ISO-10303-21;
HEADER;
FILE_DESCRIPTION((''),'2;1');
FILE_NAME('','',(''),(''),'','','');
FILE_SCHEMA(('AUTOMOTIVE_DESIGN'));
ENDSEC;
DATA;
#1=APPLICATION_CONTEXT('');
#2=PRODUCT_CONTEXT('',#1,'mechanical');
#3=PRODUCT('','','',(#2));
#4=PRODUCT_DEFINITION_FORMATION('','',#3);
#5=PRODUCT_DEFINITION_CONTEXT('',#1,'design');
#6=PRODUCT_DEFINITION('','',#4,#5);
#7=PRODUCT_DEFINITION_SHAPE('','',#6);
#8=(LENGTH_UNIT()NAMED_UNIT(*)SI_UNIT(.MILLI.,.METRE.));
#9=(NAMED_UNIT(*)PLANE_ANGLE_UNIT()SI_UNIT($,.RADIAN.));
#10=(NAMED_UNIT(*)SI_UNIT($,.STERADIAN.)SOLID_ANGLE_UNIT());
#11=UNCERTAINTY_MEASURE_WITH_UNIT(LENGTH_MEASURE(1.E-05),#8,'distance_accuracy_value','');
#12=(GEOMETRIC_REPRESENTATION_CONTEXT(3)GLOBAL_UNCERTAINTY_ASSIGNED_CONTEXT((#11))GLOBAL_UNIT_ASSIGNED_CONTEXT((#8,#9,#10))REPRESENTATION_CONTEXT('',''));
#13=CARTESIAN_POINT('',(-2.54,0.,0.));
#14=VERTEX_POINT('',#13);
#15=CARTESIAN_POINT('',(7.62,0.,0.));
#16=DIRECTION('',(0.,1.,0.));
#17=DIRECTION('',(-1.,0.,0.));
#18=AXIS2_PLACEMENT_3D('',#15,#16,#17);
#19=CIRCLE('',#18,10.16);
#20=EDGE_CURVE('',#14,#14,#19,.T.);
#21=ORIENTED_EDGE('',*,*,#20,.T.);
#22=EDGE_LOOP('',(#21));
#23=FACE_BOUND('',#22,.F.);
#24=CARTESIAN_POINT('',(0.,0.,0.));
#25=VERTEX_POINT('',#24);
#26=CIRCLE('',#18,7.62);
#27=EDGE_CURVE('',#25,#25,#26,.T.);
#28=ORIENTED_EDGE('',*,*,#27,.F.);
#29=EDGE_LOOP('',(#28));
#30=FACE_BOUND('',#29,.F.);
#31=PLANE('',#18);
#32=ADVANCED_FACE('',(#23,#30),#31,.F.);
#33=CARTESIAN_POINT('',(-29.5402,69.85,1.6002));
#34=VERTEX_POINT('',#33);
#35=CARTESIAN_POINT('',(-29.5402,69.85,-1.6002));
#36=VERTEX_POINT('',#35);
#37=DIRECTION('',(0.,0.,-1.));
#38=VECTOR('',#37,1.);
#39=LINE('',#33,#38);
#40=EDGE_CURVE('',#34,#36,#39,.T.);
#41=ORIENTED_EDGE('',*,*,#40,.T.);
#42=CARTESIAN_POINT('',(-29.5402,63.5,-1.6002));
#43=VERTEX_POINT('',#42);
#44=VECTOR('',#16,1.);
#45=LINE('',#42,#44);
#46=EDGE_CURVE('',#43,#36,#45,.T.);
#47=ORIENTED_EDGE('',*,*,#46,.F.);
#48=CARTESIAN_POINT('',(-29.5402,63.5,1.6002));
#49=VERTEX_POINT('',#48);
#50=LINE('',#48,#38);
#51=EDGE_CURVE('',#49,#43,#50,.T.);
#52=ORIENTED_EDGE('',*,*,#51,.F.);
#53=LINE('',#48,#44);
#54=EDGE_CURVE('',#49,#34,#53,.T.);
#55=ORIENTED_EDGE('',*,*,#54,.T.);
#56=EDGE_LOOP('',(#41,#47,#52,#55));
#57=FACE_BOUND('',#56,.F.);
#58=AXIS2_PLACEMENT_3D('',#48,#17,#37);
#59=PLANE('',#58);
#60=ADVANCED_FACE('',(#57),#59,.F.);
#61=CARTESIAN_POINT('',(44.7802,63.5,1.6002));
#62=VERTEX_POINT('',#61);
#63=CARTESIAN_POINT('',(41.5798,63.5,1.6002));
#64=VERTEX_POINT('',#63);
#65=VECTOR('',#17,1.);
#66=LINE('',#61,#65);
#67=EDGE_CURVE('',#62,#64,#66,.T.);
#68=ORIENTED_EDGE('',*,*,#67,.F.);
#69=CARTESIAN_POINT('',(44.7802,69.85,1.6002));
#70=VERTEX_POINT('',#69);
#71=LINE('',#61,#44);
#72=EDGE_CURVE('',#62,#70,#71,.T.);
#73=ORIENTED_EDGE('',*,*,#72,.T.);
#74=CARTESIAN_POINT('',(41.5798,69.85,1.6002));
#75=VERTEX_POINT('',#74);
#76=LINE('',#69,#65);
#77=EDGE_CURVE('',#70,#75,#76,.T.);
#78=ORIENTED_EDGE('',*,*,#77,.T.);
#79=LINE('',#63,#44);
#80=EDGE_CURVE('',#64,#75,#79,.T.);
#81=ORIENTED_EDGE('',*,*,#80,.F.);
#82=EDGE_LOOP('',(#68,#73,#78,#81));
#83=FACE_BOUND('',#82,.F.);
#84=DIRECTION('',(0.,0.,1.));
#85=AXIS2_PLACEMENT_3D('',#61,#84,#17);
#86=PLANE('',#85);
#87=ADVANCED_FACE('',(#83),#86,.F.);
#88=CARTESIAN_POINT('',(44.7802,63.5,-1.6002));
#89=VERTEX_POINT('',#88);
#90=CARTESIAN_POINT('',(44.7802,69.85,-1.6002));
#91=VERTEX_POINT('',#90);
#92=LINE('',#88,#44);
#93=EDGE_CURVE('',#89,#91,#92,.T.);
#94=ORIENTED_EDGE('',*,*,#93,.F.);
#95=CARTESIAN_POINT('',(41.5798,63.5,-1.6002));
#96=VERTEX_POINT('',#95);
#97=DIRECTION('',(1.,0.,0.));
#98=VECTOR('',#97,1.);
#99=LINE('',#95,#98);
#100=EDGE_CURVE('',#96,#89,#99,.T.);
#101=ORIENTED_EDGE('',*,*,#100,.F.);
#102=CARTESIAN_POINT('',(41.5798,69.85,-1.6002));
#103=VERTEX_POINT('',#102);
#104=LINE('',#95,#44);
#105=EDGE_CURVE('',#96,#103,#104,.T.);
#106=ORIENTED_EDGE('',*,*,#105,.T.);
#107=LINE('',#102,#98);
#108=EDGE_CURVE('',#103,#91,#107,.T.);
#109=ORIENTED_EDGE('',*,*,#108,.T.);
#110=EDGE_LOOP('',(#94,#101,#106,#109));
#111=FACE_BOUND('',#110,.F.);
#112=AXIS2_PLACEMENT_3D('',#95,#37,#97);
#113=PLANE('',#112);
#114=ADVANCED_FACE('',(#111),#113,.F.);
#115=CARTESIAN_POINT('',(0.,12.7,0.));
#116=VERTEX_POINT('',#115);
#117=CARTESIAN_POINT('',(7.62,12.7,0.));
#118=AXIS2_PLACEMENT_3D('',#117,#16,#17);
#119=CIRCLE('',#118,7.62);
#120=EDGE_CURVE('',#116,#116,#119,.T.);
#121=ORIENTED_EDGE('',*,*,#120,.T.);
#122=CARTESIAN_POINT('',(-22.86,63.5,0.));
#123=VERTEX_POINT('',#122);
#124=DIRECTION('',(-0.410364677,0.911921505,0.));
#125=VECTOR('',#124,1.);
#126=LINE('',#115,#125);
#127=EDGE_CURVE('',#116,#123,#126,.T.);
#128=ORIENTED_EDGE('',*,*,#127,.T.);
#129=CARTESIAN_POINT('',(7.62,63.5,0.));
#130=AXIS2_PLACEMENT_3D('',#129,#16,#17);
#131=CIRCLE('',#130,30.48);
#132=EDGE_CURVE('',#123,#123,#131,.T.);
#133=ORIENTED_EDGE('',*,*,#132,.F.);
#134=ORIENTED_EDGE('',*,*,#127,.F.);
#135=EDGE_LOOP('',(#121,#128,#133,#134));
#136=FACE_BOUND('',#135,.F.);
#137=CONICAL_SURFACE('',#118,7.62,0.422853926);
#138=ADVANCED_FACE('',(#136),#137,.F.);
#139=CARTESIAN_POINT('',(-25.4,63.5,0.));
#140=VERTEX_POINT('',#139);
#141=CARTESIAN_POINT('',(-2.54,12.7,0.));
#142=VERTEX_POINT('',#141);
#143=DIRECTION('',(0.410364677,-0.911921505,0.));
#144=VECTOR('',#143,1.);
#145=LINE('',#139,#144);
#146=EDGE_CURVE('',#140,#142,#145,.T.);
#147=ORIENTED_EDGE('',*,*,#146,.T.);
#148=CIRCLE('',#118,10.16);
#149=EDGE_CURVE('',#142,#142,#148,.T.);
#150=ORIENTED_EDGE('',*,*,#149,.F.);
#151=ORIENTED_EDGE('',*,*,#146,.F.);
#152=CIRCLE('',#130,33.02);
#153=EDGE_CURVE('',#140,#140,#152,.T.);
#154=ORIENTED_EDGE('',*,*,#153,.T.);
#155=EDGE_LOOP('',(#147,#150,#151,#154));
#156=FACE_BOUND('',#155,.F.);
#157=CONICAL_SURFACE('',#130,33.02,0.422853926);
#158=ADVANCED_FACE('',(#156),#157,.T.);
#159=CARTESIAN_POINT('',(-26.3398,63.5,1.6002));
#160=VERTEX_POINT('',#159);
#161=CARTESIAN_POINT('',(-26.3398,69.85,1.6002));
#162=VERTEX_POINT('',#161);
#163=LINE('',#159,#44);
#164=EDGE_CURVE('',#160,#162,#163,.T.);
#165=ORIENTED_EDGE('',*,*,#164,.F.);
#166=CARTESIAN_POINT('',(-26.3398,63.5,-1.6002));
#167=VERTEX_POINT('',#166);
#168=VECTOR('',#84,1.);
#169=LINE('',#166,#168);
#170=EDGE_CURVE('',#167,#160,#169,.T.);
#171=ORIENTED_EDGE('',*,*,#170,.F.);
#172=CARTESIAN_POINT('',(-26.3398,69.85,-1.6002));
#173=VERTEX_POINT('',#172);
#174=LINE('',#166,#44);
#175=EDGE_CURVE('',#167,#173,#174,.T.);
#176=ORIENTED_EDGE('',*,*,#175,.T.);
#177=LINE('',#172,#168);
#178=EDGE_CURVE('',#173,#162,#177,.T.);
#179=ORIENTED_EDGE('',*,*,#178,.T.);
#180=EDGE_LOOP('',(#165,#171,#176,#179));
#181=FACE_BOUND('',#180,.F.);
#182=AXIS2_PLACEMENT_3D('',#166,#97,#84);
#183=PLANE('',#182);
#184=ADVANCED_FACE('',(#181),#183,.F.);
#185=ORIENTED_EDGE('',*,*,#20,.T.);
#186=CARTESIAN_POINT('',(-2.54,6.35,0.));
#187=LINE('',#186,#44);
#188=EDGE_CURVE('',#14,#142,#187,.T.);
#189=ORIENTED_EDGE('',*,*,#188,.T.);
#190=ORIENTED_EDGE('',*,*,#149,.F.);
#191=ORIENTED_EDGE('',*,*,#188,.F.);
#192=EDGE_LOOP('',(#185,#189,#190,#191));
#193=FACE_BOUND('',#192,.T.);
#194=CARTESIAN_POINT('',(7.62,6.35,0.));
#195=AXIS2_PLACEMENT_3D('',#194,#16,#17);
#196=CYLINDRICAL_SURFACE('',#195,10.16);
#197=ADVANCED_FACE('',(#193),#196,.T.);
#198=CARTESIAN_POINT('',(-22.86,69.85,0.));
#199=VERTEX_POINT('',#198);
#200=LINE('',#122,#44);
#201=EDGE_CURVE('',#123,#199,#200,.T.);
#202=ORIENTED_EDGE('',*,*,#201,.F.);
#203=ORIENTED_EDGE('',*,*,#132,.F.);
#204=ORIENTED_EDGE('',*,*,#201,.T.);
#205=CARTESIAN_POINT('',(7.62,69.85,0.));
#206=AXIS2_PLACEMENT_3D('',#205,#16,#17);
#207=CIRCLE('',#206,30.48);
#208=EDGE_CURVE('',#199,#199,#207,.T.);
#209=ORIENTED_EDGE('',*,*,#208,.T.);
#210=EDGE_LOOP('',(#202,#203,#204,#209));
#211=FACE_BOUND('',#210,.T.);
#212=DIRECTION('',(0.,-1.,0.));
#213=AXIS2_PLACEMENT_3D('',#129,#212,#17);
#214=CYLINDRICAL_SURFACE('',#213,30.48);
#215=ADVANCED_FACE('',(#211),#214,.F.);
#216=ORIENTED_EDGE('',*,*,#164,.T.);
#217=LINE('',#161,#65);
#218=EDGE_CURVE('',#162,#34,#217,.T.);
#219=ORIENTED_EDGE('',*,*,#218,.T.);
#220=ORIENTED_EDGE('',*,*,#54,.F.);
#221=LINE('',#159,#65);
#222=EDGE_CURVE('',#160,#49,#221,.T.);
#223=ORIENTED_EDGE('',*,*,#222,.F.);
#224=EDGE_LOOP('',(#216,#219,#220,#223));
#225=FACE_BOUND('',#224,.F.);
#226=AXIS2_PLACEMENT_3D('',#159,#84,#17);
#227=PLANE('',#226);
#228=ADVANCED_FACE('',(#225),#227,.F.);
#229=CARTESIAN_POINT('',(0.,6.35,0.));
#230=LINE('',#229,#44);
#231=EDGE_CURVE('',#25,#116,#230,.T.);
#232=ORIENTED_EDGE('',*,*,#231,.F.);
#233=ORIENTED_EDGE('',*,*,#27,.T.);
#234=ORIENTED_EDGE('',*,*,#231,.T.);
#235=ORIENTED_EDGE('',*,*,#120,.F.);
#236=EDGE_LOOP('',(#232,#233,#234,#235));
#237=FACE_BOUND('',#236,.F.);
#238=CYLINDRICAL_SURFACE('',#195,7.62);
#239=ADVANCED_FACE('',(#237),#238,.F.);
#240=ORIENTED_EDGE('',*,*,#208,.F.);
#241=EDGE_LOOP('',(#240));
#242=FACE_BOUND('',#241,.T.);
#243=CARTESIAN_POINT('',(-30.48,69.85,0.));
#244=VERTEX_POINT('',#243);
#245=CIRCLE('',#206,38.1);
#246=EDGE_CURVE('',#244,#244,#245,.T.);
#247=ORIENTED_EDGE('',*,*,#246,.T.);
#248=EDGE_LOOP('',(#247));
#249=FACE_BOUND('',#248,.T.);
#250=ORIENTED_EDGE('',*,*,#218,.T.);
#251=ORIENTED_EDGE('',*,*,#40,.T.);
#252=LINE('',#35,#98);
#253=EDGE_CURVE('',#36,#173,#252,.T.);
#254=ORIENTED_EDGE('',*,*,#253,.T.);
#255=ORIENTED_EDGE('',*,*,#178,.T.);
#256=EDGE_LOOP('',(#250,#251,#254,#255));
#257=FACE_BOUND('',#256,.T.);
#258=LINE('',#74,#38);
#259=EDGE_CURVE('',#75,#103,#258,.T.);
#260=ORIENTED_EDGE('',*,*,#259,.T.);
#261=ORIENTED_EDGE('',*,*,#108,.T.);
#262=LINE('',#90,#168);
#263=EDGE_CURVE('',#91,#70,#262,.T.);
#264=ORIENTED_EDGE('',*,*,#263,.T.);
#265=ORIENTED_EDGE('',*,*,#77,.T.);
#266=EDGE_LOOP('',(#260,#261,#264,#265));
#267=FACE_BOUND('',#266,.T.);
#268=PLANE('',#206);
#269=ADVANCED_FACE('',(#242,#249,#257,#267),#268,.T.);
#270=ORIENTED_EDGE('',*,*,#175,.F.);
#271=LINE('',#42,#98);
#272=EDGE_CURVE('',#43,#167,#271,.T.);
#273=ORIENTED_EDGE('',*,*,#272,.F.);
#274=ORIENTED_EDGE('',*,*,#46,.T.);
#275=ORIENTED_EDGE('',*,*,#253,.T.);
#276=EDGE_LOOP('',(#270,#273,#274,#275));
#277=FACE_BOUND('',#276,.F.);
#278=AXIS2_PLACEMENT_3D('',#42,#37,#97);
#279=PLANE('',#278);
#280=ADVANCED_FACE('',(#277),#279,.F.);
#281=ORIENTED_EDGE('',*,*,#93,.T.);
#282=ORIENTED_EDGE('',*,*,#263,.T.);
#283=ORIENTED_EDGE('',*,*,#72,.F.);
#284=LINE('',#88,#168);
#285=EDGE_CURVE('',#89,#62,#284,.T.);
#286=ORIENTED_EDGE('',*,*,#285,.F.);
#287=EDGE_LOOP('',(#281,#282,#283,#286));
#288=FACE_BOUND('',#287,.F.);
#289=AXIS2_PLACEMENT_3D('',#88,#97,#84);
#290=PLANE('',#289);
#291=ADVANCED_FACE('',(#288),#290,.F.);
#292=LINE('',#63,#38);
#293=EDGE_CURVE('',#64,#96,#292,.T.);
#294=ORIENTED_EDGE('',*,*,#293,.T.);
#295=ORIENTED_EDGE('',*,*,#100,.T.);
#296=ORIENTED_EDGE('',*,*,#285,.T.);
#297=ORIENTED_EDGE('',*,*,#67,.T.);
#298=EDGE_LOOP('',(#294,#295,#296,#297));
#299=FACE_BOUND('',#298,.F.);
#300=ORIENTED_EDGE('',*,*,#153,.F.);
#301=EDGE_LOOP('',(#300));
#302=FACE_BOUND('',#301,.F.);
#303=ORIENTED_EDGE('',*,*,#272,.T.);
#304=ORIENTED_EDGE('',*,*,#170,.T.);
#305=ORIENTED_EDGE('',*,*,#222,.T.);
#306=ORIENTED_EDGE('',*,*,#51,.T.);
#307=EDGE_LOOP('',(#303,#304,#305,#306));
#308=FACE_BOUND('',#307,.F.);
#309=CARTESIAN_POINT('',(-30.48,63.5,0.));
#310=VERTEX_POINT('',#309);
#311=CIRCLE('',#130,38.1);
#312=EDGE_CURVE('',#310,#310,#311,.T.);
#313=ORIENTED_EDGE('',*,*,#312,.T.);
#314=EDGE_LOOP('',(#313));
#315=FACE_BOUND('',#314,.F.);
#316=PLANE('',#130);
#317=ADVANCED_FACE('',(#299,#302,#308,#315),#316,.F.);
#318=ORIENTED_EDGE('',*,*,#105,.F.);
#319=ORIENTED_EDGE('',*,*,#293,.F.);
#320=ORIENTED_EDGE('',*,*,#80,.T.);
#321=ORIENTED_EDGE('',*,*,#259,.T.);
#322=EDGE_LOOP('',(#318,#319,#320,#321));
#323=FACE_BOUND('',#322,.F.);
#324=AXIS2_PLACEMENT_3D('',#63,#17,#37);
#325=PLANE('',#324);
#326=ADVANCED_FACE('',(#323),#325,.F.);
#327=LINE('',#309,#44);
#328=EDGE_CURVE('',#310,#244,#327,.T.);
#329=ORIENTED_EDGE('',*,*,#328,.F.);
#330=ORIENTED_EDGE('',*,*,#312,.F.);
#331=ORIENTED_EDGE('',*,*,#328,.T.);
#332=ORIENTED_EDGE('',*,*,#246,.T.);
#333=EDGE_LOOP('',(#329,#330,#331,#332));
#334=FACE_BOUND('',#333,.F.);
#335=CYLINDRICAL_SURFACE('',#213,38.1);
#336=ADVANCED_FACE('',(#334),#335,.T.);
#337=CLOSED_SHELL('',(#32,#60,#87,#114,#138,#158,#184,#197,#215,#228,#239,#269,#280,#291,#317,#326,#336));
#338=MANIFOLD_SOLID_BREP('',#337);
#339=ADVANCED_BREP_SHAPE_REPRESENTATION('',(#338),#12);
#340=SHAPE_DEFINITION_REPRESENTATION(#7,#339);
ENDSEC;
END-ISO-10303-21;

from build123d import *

# Parameters (mm, degrees)
F0_W     = 2.54
F0_H     = 12.7
F2_R     = 38.1
F2_R_2   = 33.02
F3_DEPTH = 6.35
F4_R     = 33.02
F4_R_2   = 30.48
F5_DEPTH = 6.35


with BuildPart() as f1:
    # F0 (on Top) → F1 (revolve)
    with BuildSketch(Plane.XY):
        Polygon((-2.54, 12.7), (0, 12.7), (-22.86, 63.5), (-25.4, 63.5), align=None)
        with Locations((-1.27, 6.35)):
            Rectangle(F0_W, F0_H)
    revolve(axis=Axis((7.62, 34.9172540009, 0), (0, 1, 0)))

    # F2 (on face) → F3 (join)
    with BuildSketch(Plane(origin=(0, 63.5, 0), x_dir=(-1, 0, 0), z_dir=(0, 1, 0))):
        with Locations((-7.62, 0)):
            Circle(F2_R)
        Polygon((-41.5798, -1.6002), (-43.18, -1.6002), (-44.7802, -1.6002), (-44.7802, 1.6002), (-43.18, 1.6002), (-41.5798, 1.6002), align=None, mode=Mode.SUBTRACT)
        with Locations((-7.62, 0)):
            Circle(F2_R_2, mode=Mode.SUBTRACT)
        Polygon((27.94, -1.6002), (26.3398, -1.6002), (26.3398, 1.6002), (27.94, 1.6002), (29.5402, 1.6002), (29.5402, -1.6002), align=None, mode=Mode.SUBTRACT)
    extrude(amount=F3_DEPTH)

    # F4 (on face) → F5 (join)
    with BuildSketch(Plane(origin=(0, 63.5, 0), x_dir=(-1, 0, 0), z_dir=(0, 1, 0))):
        with Locations((-7.62, 0)):
            Circle(F4_R)
        with Locations((-7.62, 0)):
            Circle(F4_R_2, mode=Mode.SUBTRACT)
    extrude(amount=F5_DEPTH)


solid = f1.part
